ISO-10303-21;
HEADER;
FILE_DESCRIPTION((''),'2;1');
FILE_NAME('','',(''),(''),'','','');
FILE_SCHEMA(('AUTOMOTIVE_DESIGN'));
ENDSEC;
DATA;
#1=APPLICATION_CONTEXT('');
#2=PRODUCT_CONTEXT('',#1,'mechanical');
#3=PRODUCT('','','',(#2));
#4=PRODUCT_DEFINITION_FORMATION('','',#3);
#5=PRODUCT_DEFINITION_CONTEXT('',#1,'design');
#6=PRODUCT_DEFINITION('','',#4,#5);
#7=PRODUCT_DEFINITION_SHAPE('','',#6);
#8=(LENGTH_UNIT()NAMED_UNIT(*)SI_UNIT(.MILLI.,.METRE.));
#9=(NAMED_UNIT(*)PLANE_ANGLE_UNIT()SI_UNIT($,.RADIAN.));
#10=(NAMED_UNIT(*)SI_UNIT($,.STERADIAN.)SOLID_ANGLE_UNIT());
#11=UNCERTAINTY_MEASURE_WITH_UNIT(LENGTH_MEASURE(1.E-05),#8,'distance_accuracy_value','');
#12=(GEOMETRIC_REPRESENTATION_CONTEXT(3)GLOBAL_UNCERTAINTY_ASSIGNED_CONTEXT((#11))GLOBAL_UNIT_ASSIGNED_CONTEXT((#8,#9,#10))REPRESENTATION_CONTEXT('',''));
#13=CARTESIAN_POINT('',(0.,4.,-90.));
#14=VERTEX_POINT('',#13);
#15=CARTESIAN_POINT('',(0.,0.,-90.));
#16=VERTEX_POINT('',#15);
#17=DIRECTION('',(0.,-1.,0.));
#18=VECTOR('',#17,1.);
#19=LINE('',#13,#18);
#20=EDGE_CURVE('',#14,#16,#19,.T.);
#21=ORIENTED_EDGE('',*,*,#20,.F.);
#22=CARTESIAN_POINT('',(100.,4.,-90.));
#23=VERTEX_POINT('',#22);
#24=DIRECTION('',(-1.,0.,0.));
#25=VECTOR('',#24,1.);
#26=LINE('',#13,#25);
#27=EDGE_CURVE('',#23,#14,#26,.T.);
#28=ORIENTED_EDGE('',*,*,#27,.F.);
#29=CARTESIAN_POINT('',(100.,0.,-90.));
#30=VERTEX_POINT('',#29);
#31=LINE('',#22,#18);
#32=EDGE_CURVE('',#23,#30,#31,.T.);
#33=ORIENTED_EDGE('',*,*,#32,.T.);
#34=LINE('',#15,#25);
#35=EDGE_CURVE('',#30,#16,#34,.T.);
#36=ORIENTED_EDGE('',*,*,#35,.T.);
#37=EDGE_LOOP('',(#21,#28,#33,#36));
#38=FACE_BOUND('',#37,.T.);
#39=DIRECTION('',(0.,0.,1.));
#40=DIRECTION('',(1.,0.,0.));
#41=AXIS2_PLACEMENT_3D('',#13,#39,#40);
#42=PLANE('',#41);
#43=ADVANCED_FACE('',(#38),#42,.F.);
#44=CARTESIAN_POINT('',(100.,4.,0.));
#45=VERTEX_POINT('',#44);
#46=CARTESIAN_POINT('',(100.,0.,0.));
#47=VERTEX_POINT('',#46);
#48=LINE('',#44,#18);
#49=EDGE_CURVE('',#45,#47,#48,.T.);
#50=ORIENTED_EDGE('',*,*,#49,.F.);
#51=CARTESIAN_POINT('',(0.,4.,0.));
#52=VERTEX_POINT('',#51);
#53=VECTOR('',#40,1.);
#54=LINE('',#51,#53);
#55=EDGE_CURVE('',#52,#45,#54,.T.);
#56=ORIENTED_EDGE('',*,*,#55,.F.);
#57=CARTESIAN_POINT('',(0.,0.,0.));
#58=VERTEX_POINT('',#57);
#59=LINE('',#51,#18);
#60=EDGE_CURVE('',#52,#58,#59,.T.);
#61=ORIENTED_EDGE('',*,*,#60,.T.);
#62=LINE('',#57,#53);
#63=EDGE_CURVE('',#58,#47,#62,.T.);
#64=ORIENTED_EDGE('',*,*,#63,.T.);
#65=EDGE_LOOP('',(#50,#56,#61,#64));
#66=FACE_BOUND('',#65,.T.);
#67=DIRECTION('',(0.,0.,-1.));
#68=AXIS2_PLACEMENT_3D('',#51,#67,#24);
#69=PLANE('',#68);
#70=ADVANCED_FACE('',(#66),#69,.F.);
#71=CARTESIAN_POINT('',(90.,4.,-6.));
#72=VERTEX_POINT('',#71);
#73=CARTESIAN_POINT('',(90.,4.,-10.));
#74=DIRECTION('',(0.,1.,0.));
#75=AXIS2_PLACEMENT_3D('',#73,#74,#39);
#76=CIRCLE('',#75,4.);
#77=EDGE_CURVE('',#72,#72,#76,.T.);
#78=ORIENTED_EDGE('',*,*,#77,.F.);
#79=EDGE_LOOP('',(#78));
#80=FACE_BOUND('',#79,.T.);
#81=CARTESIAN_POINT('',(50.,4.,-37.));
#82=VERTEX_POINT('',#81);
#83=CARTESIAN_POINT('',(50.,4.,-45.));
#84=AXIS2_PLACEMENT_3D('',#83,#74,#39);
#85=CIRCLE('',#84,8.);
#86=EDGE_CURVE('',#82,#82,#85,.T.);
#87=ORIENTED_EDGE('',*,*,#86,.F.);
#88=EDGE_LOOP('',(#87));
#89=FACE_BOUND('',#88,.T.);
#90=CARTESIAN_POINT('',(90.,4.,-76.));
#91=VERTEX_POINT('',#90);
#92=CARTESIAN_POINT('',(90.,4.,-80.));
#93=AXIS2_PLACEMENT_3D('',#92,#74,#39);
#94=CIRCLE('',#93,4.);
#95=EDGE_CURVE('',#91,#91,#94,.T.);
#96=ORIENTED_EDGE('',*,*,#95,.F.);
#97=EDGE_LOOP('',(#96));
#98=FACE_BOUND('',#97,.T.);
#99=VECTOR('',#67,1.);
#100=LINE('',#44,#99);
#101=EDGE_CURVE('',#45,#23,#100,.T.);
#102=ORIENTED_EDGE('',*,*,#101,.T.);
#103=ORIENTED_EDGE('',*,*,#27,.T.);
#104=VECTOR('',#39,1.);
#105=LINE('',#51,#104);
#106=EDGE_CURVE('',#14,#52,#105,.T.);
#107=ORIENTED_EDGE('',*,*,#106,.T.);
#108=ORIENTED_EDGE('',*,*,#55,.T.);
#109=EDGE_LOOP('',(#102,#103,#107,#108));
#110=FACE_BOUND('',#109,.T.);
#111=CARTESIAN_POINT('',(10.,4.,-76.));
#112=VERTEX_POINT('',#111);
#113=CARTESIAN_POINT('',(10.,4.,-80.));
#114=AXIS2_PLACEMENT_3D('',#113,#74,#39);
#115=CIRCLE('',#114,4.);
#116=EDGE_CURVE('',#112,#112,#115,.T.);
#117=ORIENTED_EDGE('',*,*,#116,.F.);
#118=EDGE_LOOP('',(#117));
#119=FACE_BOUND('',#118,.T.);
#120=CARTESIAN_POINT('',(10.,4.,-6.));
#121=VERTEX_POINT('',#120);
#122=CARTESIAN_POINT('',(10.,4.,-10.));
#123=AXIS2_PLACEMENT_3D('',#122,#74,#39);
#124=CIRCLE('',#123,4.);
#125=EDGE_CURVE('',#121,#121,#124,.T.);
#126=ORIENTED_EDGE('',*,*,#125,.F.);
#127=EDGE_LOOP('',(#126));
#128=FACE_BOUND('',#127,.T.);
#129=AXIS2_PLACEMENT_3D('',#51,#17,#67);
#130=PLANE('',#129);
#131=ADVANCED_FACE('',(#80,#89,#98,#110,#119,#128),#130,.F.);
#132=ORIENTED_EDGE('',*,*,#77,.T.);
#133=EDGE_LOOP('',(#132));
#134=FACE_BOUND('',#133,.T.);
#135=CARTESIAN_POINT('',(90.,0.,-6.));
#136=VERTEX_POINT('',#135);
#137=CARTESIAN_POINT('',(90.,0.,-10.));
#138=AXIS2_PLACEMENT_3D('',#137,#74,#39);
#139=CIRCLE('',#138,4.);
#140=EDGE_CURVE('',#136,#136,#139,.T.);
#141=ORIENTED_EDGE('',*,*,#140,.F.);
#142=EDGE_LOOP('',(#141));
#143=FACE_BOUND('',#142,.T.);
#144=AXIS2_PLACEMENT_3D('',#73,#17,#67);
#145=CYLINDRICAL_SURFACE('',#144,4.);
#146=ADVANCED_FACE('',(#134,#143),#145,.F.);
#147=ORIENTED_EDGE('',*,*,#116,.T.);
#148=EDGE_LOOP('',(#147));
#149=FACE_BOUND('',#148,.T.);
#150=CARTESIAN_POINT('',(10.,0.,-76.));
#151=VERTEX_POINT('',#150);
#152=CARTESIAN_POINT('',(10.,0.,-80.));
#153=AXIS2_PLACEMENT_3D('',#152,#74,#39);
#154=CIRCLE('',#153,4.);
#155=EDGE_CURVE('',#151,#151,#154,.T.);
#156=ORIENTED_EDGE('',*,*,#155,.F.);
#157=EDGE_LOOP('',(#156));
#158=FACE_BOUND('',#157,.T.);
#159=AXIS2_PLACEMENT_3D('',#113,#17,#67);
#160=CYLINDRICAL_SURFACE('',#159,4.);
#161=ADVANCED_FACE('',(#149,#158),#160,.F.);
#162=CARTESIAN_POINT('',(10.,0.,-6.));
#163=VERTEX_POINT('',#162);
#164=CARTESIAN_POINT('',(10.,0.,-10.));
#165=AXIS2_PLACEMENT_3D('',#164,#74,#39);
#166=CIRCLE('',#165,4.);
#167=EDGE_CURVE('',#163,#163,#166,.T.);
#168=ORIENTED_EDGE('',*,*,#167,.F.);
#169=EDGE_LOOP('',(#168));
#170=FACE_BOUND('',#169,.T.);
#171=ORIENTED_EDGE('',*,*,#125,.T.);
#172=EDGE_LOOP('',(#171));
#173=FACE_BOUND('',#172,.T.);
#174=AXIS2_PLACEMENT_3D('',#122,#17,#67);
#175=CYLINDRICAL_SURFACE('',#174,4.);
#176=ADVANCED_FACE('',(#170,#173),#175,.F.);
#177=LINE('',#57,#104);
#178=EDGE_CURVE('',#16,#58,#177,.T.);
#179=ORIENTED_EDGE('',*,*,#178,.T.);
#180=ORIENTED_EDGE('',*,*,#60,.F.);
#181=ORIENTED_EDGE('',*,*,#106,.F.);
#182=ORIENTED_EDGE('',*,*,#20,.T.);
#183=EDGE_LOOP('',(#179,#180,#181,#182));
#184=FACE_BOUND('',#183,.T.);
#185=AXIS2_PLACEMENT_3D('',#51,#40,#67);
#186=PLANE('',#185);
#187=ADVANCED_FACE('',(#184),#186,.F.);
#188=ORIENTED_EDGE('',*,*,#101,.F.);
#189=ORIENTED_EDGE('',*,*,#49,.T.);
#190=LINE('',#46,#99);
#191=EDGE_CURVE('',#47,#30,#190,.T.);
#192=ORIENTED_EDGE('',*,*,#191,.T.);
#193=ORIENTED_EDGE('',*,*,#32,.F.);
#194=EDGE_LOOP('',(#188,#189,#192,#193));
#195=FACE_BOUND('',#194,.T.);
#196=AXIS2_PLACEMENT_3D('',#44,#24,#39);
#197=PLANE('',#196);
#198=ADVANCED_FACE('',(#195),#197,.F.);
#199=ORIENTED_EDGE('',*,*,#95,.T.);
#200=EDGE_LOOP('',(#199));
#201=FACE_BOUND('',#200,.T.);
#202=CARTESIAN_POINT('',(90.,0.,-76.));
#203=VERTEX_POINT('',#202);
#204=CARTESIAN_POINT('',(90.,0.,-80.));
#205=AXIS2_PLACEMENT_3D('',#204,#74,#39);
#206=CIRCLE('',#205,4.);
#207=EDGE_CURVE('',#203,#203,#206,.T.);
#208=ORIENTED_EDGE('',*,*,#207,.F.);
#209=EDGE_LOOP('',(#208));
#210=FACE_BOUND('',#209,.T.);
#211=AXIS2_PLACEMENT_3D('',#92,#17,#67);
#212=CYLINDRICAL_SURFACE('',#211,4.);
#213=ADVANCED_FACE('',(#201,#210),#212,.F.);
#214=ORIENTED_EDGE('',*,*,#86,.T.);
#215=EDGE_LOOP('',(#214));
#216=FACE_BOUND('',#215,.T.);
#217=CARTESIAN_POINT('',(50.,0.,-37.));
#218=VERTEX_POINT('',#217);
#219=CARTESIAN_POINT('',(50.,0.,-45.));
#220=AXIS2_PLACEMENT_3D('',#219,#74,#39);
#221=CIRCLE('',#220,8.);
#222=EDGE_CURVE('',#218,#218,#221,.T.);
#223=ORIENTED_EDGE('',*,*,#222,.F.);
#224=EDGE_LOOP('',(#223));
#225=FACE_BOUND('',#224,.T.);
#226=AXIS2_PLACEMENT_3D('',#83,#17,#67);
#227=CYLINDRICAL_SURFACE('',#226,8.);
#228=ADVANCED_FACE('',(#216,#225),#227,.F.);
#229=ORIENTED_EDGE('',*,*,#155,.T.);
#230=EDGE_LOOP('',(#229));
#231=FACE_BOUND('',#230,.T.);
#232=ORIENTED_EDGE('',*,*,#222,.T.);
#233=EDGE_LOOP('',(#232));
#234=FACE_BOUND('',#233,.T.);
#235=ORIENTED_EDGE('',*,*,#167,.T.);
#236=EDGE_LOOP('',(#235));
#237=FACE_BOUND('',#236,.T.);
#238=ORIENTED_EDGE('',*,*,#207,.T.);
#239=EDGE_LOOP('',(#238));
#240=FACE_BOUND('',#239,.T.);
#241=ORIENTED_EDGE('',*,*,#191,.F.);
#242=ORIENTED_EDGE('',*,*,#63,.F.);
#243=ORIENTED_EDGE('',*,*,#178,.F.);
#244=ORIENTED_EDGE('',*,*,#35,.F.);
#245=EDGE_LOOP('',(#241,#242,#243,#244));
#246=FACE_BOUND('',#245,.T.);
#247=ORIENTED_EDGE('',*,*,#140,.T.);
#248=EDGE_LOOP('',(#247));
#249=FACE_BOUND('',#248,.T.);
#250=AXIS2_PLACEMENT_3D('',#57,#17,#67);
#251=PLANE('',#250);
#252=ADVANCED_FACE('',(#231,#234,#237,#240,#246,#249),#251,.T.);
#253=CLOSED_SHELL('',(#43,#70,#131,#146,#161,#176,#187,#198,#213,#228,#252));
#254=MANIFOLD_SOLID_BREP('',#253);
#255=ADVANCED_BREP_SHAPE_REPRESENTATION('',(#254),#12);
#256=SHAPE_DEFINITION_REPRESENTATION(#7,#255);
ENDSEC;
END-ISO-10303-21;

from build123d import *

# Parameters (mm, degrees)
SKETCH1_W      = 100
SKETCH1_H      = 90
SKETCH1_R      = 8
SKETCH1_R_2    = 4
EXTRUDE1_DEPTH = 4


with BuildPart() as part:
    # Sketch1 → Extrude1 (new body)
    with BuildSketch(Plane(origin=(0, 0, 0), x_dir=(1, 0, 0), z_dir=(0, 1, 0))):
        with Locations((50, 45)):
            Rectangle(SKETCH1_W, SKETCH1_H)
        with Locations(Location((50, 45, 0), (0, 0, 270))):
            Circle(SKETCH1_R, mode=Mode.SUBTRACT)
        with Locations(Location((10, 80, 0), (0, 0, 270))):
            Circle(SKETCH1_R_2, mode=Mode.SUBTRACT)
        with Locations(Location((10, 10, 0), (0, 0, 270))):
            Circle(SKETCH1_R_2, mode=Mode.SUBTRACT)
        with Locations(Location((90, 10, 0), (0, 0, 270))):
            Circle(SKETCH1_R_2, mode=Mode.SUBTRACT)
        with Locations(Location((90, 80, 0), (0, 0, 270))):
            Circle(SKETCH1_R_2, mode=Mode.SUBTRACT)
    extrude(amount=EXTRUDE1_DEPTH)


solid = part.part
